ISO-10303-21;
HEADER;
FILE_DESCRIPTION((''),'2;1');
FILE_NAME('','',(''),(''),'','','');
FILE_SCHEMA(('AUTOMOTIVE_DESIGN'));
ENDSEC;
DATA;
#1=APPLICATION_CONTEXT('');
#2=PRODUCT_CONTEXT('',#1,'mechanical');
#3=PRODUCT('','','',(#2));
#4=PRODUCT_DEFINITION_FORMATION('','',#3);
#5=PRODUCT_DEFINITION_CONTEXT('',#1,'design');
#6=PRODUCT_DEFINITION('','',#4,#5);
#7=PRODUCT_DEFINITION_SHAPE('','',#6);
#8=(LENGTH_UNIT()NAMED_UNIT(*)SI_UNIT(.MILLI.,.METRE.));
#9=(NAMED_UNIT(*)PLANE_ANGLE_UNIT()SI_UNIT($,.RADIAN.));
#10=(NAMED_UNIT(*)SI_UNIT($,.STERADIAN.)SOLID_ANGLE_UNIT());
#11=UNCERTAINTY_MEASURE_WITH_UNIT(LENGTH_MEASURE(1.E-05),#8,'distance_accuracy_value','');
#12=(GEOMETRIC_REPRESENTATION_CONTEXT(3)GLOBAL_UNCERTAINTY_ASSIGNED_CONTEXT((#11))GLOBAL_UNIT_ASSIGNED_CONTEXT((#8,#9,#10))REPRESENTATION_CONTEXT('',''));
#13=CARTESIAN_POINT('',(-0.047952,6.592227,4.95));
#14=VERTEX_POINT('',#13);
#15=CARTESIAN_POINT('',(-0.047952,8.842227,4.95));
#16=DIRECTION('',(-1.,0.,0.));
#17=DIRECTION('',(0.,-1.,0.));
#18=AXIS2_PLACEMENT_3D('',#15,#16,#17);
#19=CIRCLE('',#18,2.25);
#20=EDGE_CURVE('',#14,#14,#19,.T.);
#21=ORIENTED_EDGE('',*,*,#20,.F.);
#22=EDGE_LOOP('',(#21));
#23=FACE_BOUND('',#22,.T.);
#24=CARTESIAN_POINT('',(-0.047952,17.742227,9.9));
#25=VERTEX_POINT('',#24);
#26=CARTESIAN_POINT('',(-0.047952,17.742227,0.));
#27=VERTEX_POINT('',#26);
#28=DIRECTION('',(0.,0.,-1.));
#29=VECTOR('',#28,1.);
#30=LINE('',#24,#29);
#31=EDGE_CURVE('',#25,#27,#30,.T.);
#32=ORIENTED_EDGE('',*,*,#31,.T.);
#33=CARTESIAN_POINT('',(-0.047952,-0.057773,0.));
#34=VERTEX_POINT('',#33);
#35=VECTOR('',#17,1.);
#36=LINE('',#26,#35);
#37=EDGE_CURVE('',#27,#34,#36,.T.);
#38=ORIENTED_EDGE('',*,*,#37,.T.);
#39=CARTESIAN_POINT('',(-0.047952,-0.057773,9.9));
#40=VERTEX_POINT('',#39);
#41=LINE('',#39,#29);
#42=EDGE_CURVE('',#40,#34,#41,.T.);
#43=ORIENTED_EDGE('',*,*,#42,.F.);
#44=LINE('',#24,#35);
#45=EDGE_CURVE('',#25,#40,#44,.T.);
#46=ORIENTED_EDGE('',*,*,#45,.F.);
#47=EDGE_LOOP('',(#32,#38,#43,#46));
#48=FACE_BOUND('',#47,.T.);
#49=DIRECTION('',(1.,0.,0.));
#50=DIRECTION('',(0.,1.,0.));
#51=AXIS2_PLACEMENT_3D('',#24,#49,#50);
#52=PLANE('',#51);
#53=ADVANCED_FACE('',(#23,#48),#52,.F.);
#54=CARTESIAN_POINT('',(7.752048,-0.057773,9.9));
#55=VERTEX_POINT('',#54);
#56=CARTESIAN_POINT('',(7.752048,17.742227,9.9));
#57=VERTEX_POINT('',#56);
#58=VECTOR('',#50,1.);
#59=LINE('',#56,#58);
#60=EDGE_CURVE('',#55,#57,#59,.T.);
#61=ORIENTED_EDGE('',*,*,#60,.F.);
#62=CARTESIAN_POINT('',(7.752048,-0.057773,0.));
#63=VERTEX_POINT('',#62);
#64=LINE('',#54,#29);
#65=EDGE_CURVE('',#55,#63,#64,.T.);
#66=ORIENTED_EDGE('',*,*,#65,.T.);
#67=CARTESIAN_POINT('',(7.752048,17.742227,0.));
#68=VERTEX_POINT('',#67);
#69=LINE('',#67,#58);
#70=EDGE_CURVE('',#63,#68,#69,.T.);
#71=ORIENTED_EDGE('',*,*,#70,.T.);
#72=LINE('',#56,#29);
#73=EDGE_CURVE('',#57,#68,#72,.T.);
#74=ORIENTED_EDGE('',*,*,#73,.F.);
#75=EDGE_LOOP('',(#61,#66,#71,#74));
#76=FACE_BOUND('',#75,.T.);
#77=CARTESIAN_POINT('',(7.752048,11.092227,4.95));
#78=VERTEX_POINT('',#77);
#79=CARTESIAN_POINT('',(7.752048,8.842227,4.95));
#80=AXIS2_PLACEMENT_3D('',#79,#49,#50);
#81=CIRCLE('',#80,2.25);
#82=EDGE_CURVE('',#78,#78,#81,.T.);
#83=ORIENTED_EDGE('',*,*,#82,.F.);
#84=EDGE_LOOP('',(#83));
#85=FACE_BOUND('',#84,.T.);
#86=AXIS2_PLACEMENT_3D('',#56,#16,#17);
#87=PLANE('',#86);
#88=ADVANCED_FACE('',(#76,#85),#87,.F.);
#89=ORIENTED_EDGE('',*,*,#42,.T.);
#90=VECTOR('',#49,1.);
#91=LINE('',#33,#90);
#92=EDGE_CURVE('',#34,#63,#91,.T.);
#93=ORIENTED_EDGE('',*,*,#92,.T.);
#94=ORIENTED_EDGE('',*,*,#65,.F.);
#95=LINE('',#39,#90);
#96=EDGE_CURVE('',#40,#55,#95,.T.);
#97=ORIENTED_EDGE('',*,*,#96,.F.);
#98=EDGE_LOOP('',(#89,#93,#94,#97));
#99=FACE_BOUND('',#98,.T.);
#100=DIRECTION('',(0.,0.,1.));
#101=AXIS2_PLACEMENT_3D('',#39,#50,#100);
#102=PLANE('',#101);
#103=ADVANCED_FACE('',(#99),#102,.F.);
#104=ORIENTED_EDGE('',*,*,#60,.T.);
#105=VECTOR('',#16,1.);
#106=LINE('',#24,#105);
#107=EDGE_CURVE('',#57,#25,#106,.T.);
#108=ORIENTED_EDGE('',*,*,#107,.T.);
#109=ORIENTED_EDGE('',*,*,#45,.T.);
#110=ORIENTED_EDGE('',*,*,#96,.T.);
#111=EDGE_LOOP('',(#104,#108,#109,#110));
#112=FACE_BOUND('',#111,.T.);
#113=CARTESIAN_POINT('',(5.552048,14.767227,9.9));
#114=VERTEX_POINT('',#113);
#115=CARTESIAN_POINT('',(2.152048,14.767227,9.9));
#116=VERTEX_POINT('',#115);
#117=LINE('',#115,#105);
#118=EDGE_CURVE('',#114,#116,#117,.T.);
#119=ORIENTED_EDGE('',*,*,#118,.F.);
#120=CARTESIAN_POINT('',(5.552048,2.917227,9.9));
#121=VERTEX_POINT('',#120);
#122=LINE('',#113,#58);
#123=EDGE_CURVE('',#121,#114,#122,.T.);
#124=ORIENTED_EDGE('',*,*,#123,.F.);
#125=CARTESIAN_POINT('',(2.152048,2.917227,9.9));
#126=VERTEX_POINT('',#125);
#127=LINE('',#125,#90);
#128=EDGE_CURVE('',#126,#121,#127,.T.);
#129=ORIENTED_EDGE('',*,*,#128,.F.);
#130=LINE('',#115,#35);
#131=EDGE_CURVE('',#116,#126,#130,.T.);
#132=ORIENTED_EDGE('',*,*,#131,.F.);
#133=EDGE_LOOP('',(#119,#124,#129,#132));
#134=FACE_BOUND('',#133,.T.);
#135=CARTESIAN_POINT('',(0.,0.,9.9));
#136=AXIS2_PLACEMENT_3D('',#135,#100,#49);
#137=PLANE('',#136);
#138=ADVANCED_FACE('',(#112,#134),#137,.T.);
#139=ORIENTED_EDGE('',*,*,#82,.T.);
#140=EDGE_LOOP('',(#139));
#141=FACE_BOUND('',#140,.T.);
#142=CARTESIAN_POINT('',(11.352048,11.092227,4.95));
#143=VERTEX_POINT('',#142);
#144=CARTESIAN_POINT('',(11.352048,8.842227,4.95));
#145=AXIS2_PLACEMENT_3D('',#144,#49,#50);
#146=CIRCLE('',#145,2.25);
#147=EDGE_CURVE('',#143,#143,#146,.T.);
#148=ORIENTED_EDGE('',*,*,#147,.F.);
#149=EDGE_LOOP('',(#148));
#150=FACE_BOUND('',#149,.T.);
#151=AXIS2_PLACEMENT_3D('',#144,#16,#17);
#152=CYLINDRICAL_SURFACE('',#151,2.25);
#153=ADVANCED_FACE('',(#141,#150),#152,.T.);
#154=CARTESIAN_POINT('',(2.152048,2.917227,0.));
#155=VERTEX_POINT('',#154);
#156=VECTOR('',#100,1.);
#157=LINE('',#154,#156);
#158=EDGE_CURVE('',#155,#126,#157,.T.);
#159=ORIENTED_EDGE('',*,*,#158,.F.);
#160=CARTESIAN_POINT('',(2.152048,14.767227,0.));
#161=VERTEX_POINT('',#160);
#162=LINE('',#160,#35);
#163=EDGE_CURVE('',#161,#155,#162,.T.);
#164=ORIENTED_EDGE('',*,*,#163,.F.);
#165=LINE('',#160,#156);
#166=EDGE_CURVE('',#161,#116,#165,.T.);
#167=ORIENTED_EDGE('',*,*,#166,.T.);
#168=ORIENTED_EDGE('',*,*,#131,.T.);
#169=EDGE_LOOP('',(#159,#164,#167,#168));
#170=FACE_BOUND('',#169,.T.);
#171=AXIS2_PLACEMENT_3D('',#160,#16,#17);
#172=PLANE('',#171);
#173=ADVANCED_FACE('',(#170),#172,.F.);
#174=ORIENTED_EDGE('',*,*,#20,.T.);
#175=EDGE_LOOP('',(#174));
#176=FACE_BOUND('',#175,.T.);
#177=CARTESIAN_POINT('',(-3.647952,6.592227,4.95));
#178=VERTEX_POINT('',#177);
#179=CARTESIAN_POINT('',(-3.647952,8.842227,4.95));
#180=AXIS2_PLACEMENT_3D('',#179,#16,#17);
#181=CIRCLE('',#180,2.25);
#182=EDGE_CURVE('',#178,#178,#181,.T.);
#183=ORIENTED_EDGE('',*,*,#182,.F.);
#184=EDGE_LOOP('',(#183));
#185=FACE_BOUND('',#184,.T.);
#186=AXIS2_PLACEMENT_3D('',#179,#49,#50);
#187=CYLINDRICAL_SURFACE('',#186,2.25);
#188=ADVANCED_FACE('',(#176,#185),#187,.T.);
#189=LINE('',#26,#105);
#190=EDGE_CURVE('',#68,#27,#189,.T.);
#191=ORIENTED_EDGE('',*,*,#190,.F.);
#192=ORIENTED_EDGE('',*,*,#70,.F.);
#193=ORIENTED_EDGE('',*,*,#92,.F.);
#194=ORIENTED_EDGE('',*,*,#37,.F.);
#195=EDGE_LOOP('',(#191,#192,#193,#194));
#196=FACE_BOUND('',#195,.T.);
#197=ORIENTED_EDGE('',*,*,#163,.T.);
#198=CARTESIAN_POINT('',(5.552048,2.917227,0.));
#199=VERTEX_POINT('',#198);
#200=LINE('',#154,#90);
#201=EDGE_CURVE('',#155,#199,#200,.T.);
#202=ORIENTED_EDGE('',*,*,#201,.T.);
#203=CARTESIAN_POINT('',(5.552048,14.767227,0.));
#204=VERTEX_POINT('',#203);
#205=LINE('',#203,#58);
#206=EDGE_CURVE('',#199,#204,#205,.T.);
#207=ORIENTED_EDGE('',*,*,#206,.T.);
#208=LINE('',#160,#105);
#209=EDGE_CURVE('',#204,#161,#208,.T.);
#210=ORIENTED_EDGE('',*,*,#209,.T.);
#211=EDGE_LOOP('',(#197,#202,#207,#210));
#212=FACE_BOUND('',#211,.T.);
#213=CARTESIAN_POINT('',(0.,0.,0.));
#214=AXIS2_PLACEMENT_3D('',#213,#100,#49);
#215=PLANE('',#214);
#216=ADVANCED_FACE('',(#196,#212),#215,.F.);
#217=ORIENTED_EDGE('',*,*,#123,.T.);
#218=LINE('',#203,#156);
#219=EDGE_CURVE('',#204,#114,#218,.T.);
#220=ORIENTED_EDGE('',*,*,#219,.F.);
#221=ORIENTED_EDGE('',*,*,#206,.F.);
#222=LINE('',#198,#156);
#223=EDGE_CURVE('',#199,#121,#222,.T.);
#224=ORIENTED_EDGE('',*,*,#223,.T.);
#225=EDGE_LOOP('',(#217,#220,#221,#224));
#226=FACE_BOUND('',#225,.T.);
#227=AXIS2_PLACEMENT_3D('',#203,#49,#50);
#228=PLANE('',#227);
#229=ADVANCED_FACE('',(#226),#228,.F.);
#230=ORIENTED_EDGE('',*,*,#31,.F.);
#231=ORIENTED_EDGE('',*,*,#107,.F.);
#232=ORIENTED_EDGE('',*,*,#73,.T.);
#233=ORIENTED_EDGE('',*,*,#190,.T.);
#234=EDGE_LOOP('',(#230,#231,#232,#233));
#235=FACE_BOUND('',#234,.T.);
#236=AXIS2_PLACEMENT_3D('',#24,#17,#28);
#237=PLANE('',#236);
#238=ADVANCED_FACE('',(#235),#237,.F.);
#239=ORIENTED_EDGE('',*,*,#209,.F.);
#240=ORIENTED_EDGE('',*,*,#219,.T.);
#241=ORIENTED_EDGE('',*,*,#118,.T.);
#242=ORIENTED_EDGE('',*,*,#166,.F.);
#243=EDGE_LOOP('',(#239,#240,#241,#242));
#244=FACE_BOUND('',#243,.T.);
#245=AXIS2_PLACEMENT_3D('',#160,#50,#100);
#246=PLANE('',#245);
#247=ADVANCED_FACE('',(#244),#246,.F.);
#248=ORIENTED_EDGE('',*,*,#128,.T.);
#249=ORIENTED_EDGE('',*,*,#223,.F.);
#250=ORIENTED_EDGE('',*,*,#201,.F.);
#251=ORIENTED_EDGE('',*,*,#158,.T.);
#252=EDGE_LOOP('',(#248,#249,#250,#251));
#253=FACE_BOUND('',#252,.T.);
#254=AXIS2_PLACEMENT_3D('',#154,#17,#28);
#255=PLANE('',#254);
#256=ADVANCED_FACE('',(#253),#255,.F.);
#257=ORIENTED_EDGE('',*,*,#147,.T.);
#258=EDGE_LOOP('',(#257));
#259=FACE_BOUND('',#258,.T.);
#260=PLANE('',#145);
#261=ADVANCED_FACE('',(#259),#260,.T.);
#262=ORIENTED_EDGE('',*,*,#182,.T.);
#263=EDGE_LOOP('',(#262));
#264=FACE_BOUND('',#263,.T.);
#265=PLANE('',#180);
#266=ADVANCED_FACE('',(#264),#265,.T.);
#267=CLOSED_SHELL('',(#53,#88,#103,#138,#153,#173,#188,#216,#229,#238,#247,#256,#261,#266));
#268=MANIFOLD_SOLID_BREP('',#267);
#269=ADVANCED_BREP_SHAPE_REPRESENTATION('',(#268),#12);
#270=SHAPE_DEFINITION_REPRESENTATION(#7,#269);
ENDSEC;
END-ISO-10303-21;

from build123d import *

# Parameters (mm, degrees)
SKETCH2_W           = 7.8
SKETCH2_H           = 17.8
BOSS_EXTRUDE1_DEPTH = 9.9
SKETCH3_W           = 3.4
SKETCH3_H           = 11.85
CUT_EXTRUDE1_DEPTH  = 9.9
SKETCH5_R           = 2.25
BOSS_EXTRUDE2_DEPTH = 3.6
BOSS_EXTRUDE3_START = 3.6
SKETCH6_R           = 2.25
BOSS_EXTRUDE3_DEPTH = 3.6


with BuildPart() as part:
    # Sketch2 → Boss-Extrude1 (new body)
    with BuildSketch(Plane.XY):
        with Locations((3.852048319, 8.842226891)):
            Rectangle(SKETCH2_W, SKETCH2_H)
    extrude(amount=BOSS_EXTRUDE1_DEPTH)

    # Sketch3 → Cut-Extrude1 (cut)
    with BuildSketch(Plane.XY.offset(9.9)):
        with Locations((3.852048319, 8.842226891)):
            Rectangle(SKETCH3_W, SKETCH3_H)
    extrude(amount=-CUT_EXTRUDE1_DEPTH, mode=Mode.SUBTRACT)

    # Sketch5 → Boss-Extrude2 (add)
    with BuildSketch(Plane(origin=(7.752048319, 0, 0), x_dir=(0, 0, -1), z_dir=(1, 0, 0))):
        with Locations(Location((-4.95, 8.842226891, 0), (0, 0, 90))):
            Circle(SKETCH5_R)
    extrude(amount=BOSS_EXTRUDE2_DEPTH)

    # Sketch6 → Boss-Extrude3 (add)
    with BuildSketch(Plane.ZY.offset(0.047951681).offset(BOSS_EXTRUDE3_START)):
        with Locations(Location((4.95, 8.842226891, 0), (0, 0, 90))):
            Circle(SKETCH6_R)
    extrude(amount=-BOSS_EXTRUDE3_DEPTH)


solid = part.part
